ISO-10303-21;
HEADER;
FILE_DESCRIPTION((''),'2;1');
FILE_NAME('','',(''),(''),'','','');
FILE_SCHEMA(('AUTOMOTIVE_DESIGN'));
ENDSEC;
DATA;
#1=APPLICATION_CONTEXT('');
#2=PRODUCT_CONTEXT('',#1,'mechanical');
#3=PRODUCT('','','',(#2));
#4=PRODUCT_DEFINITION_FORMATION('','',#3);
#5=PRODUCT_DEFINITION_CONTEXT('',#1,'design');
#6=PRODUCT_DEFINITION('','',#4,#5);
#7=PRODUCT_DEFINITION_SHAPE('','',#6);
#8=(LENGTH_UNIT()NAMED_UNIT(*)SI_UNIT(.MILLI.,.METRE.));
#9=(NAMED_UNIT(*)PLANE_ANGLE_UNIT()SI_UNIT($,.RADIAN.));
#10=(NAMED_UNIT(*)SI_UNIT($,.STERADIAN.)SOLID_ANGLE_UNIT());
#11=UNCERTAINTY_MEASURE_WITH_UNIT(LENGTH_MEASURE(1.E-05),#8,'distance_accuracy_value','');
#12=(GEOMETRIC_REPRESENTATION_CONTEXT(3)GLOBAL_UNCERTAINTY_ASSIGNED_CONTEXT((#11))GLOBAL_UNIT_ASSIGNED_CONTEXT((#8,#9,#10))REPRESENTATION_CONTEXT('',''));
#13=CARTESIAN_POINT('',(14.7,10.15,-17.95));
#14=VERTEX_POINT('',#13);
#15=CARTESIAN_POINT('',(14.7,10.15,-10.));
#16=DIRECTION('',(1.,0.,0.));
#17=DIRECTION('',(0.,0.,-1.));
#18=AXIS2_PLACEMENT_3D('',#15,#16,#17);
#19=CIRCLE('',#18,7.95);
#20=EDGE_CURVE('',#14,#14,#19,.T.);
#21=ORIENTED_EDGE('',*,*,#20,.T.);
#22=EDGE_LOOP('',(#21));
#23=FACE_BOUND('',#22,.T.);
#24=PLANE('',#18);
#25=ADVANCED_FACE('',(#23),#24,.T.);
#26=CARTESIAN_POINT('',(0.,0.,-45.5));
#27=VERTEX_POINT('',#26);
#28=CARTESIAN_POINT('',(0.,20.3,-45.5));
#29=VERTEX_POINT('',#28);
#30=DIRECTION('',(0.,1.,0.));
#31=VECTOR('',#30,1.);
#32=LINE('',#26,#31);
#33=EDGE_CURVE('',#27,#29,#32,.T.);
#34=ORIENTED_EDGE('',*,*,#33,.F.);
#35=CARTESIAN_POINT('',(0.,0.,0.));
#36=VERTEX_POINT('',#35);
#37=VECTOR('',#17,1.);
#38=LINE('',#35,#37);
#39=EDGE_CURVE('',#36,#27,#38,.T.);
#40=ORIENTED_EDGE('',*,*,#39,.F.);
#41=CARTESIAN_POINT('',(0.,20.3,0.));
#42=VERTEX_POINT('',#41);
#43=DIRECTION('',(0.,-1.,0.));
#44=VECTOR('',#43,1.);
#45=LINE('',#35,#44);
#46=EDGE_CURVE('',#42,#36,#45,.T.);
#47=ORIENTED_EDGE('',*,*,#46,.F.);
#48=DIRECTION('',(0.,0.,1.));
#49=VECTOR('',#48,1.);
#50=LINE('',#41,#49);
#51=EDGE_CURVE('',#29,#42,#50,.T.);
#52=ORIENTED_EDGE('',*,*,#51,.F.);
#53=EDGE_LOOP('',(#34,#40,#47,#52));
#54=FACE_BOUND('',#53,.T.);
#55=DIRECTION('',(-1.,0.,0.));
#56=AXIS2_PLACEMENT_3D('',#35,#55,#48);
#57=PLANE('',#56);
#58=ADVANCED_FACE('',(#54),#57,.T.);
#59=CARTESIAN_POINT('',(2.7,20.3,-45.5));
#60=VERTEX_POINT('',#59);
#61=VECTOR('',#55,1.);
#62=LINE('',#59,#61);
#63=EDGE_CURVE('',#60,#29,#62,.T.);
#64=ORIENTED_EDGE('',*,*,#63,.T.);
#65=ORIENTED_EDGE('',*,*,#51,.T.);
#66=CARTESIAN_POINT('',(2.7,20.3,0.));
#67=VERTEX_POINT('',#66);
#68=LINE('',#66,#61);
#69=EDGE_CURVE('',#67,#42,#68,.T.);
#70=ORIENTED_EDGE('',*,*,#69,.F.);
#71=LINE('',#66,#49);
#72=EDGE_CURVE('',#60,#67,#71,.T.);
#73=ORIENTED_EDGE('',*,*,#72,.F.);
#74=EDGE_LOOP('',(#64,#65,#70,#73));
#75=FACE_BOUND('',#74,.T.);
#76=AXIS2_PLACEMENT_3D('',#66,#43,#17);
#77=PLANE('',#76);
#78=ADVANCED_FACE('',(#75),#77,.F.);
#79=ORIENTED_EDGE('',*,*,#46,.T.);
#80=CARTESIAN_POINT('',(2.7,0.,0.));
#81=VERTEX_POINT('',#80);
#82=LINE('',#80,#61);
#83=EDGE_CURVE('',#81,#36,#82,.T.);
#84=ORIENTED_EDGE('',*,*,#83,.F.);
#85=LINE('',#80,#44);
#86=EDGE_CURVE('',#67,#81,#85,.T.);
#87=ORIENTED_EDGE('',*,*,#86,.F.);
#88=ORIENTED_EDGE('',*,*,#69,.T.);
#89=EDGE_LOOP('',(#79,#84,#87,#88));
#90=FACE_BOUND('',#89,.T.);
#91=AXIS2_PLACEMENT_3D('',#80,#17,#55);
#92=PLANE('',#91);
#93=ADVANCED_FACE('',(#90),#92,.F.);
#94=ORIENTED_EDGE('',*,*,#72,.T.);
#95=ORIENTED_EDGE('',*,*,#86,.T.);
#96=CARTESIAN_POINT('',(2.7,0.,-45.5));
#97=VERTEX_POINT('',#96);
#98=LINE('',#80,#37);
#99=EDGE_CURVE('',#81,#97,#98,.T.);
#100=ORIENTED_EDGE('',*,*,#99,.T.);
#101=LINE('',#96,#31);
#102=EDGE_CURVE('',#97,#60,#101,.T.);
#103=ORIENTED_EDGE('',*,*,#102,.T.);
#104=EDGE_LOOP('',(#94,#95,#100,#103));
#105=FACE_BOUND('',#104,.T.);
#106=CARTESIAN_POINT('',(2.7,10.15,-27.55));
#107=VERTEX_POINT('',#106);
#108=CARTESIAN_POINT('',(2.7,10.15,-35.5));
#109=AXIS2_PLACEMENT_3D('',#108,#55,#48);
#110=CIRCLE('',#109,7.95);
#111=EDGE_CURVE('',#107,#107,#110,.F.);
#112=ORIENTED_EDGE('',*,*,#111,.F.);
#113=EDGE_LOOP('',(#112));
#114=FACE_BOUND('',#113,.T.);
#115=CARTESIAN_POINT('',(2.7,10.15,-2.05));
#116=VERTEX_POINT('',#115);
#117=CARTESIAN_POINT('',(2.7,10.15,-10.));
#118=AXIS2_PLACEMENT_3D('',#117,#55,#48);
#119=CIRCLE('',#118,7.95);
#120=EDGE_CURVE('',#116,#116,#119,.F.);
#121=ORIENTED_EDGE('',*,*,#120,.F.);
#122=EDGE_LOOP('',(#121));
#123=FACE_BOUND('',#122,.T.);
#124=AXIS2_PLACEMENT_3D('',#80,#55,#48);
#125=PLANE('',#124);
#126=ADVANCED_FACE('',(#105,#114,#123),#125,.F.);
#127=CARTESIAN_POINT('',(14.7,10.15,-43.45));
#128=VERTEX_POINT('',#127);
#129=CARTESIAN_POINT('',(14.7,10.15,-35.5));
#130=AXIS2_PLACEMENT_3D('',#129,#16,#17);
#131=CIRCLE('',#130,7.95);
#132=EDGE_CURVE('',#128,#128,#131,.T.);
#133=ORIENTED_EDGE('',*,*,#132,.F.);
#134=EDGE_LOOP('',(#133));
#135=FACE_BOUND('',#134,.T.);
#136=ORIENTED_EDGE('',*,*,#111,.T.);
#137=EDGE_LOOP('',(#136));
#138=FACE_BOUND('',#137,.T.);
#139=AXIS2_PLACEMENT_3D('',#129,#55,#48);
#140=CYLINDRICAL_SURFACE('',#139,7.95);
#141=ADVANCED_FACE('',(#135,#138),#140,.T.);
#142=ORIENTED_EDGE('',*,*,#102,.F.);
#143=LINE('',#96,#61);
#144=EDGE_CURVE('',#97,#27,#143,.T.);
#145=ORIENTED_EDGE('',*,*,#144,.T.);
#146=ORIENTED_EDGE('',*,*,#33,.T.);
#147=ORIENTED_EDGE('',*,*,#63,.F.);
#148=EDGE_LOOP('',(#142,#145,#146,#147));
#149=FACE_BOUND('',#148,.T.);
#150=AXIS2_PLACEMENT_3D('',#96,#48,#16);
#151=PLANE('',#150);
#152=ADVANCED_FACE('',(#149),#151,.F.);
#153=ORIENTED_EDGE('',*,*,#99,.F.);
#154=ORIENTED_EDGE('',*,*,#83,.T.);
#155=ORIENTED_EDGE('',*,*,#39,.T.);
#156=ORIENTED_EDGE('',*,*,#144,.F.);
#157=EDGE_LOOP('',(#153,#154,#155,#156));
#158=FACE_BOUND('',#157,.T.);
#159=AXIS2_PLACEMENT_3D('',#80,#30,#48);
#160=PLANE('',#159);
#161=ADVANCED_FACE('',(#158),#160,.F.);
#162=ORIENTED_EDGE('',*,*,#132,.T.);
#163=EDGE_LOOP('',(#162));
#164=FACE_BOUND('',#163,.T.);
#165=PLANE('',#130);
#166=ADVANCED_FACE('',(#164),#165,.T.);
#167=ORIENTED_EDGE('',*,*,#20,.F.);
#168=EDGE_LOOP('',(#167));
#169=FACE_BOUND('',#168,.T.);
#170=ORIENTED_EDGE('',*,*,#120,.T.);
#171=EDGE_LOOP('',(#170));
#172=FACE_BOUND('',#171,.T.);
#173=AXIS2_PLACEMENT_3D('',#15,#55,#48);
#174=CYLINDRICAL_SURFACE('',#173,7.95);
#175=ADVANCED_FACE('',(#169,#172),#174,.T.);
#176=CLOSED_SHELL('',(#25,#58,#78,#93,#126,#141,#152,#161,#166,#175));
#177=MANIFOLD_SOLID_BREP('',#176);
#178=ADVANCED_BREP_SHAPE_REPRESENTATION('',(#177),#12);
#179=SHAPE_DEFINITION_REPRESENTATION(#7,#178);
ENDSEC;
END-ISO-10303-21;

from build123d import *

# Parameters (mm, degrees)
SKETCH1_W           = 45.5
SKETCH1_H           = 20.3
BOSS_EXTRUDE1_DEPTH = 2.7
SKETCH2_R           = 7.95
BOSS_EXTRUDE2_DEPTH = 12


with BuildPart() as part:
    # Sketch1 → Boss-Extrude1 (new body)
    with BuildSketch(Plane(origin=(0, 0, 0), x_dir=(0, 0, -1), z_dir=(1, 0, 0))):
        with Locations((22.75, 10.15)):
            Rectangle(SKETCH1_W, SKETCH1_H)
    extrude(amount=BOSS_EXTRUDE1_DEPTH)

    # Sketch2 → Boss-Extrude2 (add)
    with BuildSketch(Plane(origin=(2.7, 0, 0), x_dir=(0, 0, -1), z_dir=(1, 0, 0))):
        with Locations(Location((10, 10.15, 0), (0, 0, 180))):
            Circle(SKETCH2_R)
        with Locations(Location((35.5, 10.15, 0), (0, 0, 180))):
            Circle(SKETCH2_R)
    extrude(amount=BOSS_EXTRUDE2_DEPTH)


solid = part.part
